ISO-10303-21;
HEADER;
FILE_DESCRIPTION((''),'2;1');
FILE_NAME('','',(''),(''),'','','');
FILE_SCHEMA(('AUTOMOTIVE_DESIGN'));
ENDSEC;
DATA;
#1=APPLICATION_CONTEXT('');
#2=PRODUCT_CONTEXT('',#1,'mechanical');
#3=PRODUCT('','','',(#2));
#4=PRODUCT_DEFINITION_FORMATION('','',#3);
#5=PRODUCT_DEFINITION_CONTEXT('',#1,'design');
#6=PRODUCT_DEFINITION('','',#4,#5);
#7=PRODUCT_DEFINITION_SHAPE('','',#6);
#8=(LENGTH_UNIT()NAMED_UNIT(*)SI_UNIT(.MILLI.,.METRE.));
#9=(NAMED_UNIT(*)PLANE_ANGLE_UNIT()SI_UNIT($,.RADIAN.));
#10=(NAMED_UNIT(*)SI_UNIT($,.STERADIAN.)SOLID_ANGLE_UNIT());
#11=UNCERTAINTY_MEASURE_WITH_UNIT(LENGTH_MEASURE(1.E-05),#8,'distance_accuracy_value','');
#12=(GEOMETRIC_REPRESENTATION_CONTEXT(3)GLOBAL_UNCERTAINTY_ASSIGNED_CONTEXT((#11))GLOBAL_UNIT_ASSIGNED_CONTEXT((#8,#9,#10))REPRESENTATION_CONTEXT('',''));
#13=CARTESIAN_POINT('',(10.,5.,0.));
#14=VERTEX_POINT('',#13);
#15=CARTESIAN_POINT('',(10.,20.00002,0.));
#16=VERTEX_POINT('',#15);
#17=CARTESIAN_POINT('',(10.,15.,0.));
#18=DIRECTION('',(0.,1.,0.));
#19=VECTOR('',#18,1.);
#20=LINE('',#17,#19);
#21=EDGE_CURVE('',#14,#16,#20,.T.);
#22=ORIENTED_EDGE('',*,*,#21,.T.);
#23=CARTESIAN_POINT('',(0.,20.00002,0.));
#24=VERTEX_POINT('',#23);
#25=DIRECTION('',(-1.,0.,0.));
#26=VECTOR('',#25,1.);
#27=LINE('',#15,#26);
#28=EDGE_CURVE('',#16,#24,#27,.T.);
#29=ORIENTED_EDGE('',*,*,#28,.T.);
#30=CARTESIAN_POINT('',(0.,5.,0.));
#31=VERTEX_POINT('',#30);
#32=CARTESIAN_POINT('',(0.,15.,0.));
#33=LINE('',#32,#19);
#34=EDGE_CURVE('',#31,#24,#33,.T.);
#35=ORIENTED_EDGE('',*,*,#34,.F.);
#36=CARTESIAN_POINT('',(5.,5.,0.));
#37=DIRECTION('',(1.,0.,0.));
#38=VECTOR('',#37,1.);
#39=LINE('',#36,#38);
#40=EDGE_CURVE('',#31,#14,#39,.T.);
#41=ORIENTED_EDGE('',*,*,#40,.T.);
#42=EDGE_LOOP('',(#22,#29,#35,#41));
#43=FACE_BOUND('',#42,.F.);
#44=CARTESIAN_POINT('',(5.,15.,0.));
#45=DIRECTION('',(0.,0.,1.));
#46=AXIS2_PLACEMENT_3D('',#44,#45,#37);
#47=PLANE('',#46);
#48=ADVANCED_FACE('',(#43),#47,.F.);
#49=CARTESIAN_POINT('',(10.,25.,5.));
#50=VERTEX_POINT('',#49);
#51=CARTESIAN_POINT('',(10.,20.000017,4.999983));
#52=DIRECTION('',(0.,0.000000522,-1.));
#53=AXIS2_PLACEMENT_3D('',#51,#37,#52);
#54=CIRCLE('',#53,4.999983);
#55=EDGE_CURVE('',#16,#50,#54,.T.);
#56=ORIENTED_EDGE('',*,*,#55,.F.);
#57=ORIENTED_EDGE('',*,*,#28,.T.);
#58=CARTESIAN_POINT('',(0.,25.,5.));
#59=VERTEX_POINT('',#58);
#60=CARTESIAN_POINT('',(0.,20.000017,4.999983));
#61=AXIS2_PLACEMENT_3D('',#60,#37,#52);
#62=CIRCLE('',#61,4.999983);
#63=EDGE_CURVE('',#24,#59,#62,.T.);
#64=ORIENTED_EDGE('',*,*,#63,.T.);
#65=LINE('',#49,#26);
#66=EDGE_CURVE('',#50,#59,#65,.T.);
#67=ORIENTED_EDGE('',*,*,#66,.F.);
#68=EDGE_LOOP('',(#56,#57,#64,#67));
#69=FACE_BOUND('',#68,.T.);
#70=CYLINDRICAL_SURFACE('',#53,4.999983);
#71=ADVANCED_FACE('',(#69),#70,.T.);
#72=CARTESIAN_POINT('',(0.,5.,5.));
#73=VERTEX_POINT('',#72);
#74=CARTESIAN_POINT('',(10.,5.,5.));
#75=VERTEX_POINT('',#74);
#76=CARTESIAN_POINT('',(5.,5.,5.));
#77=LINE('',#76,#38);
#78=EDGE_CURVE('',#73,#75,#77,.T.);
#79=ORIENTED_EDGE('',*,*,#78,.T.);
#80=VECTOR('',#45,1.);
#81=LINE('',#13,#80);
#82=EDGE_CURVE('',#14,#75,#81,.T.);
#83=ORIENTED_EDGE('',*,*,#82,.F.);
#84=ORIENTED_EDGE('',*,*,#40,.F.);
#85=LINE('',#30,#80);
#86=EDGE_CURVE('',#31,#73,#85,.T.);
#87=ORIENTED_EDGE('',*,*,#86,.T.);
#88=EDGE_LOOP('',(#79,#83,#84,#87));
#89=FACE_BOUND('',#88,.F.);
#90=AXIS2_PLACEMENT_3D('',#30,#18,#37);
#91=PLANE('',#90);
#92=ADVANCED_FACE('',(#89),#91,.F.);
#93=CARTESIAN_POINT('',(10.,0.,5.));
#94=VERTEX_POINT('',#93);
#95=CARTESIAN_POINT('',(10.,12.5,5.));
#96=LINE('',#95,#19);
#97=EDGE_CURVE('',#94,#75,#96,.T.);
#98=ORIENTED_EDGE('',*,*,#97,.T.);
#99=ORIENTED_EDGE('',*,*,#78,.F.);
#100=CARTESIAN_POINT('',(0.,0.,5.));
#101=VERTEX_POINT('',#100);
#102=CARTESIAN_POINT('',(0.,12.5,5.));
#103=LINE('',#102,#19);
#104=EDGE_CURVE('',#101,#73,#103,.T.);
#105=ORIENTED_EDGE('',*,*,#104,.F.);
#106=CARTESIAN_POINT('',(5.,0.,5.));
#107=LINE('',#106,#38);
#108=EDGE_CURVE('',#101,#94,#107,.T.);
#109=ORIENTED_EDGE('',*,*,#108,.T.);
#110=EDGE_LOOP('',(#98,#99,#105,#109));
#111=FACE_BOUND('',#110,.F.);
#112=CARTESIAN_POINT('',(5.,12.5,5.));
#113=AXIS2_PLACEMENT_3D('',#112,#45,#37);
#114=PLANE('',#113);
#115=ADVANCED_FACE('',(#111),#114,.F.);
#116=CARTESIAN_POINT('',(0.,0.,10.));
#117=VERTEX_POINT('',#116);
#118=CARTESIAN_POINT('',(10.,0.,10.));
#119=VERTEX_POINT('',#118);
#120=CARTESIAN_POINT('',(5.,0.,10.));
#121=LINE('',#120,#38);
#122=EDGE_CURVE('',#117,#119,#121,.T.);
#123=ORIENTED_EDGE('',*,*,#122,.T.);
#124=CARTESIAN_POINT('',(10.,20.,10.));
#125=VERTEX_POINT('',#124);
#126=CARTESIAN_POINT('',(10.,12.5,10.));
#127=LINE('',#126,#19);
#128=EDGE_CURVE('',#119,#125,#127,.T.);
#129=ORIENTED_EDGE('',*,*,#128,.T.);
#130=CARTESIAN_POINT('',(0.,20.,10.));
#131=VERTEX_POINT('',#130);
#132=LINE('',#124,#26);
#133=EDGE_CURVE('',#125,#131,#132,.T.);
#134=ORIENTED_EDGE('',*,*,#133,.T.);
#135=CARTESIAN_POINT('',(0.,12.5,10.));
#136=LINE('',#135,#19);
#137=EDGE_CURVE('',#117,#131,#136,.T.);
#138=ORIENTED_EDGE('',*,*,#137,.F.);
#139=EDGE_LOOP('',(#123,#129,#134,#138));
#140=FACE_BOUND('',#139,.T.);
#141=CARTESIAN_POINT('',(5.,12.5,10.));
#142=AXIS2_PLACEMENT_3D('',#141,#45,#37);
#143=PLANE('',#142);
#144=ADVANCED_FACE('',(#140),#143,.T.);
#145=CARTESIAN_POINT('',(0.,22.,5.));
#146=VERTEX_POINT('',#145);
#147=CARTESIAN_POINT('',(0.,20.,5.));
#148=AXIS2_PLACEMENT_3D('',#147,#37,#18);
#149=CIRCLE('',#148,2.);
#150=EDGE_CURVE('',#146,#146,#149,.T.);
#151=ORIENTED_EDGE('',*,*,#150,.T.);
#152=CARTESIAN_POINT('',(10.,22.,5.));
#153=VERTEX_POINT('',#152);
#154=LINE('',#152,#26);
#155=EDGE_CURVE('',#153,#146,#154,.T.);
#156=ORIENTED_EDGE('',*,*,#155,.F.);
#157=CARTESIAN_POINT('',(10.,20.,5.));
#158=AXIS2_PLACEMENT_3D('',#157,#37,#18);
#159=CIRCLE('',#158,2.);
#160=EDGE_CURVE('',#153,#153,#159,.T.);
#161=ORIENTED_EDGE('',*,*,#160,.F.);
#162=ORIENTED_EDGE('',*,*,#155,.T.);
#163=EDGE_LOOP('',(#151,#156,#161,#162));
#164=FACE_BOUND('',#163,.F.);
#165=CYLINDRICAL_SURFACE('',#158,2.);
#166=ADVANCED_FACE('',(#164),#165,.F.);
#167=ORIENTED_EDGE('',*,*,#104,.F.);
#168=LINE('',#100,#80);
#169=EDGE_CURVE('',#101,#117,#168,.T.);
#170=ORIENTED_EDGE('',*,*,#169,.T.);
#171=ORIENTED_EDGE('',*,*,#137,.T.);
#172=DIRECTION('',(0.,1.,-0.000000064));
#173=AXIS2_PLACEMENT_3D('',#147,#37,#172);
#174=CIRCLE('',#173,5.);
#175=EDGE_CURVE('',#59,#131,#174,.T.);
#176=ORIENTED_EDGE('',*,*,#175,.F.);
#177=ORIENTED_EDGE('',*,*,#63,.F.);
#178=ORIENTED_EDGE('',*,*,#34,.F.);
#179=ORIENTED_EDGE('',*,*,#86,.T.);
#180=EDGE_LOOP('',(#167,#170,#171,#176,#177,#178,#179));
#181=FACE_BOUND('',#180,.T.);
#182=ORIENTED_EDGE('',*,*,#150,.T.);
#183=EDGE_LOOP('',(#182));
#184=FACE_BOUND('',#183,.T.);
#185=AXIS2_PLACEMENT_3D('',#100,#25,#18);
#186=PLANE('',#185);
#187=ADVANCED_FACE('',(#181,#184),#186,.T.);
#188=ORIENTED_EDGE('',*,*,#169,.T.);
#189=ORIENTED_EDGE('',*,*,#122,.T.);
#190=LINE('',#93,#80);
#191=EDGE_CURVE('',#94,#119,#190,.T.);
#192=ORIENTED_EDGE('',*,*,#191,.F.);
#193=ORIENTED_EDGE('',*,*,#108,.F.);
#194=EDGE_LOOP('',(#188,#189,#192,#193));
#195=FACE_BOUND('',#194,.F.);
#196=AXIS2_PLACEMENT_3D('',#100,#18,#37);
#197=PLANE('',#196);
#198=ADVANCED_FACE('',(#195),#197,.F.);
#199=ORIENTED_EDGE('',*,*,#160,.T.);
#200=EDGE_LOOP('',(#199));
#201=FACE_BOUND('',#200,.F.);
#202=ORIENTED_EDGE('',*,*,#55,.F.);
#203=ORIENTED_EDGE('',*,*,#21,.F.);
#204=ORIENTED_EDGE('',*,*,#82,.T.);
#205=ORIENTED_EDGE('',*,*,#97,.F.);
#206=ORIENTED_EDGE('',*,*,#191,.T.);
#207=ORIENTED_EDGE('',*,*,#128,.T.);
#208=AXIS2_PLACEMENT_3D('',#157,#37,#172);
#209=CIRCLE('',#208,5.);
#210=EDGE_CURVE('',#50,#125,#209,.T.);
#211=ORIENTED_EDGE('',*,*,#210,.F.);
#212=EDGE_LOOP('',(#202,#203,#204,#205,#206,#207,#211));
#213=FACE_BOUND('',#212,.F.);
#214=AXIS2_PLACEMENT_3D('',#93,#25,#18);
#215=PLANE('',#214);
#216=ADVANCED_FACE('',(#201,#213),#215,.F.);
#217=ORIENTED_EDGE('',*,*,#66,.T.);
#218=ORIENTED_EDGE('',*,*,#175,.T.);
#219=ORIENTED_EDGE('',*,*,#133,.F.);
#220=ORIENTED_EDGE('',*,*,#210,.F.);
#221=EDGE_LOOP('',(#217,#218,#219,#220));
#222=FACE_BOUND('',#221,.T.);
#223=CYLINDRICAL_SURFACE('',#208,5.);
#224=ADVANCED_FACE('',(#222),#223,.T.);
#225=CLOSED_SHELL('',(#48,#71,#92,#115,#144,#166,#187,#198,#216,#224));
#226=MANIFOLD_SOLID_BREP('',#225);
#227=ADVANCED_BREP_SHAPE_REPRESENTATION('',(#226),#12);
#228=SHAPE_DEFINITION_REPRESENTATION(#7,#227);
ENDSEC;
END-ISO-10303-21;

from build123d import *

# Parameters (mm, degrees)
SKETCH_W     = 10
SKETCH_H     = 20
PAD_DEPTH    = 5
SKETCH001_W  = 10
SKETCH001_H  = 25
PAD001_DEPTH = 5
SKETCH002_R  = 2
POCKET_DEPTH = 10


with BuildPart() as part:
    # Sketch → Pad (new body)
    with BuildSketch(Plane.XY):
        with Locations((5, 15)):
            Rectangle(SKETCH_W, SKETCH_H)
    extrude(amount=PAD_DEPTH)

    # Sketch001 → Pad001 (new body)
    with BuildSketch(Plane.XY.offset(5)):
        with Locations((5, 12.5)):
            Rectangle(SKETCH001_W, SKETCH001_H)
    extrude(amount=PAD001_DEPTH)

    # Sketch002 → Pocket (cut)
    with BuildSketch(Plane.YZ.offset(10)):
        with Locations((20, 5)):
            Circle(SKETCH002_R)
        with BuildLine():
            ThreePointArc((25, 5), (23.535534, 8.535534), (20, 10))
            Line((20, 10), (25, 10))
            Line((25, 10), (25, 5))
        make_face()
        with BuildLine():
            ThreePointArc((20.00002, 0), (23.535546, 1.464468), (25, 5))
            Line((25, 0), (25, 5))
            Line((20.00002, 0), (25, 0))
        make_face()
    extrude(amount=-POCKET_DEPTH, mode=Mode.SUBTRACT)


solid = part.part
